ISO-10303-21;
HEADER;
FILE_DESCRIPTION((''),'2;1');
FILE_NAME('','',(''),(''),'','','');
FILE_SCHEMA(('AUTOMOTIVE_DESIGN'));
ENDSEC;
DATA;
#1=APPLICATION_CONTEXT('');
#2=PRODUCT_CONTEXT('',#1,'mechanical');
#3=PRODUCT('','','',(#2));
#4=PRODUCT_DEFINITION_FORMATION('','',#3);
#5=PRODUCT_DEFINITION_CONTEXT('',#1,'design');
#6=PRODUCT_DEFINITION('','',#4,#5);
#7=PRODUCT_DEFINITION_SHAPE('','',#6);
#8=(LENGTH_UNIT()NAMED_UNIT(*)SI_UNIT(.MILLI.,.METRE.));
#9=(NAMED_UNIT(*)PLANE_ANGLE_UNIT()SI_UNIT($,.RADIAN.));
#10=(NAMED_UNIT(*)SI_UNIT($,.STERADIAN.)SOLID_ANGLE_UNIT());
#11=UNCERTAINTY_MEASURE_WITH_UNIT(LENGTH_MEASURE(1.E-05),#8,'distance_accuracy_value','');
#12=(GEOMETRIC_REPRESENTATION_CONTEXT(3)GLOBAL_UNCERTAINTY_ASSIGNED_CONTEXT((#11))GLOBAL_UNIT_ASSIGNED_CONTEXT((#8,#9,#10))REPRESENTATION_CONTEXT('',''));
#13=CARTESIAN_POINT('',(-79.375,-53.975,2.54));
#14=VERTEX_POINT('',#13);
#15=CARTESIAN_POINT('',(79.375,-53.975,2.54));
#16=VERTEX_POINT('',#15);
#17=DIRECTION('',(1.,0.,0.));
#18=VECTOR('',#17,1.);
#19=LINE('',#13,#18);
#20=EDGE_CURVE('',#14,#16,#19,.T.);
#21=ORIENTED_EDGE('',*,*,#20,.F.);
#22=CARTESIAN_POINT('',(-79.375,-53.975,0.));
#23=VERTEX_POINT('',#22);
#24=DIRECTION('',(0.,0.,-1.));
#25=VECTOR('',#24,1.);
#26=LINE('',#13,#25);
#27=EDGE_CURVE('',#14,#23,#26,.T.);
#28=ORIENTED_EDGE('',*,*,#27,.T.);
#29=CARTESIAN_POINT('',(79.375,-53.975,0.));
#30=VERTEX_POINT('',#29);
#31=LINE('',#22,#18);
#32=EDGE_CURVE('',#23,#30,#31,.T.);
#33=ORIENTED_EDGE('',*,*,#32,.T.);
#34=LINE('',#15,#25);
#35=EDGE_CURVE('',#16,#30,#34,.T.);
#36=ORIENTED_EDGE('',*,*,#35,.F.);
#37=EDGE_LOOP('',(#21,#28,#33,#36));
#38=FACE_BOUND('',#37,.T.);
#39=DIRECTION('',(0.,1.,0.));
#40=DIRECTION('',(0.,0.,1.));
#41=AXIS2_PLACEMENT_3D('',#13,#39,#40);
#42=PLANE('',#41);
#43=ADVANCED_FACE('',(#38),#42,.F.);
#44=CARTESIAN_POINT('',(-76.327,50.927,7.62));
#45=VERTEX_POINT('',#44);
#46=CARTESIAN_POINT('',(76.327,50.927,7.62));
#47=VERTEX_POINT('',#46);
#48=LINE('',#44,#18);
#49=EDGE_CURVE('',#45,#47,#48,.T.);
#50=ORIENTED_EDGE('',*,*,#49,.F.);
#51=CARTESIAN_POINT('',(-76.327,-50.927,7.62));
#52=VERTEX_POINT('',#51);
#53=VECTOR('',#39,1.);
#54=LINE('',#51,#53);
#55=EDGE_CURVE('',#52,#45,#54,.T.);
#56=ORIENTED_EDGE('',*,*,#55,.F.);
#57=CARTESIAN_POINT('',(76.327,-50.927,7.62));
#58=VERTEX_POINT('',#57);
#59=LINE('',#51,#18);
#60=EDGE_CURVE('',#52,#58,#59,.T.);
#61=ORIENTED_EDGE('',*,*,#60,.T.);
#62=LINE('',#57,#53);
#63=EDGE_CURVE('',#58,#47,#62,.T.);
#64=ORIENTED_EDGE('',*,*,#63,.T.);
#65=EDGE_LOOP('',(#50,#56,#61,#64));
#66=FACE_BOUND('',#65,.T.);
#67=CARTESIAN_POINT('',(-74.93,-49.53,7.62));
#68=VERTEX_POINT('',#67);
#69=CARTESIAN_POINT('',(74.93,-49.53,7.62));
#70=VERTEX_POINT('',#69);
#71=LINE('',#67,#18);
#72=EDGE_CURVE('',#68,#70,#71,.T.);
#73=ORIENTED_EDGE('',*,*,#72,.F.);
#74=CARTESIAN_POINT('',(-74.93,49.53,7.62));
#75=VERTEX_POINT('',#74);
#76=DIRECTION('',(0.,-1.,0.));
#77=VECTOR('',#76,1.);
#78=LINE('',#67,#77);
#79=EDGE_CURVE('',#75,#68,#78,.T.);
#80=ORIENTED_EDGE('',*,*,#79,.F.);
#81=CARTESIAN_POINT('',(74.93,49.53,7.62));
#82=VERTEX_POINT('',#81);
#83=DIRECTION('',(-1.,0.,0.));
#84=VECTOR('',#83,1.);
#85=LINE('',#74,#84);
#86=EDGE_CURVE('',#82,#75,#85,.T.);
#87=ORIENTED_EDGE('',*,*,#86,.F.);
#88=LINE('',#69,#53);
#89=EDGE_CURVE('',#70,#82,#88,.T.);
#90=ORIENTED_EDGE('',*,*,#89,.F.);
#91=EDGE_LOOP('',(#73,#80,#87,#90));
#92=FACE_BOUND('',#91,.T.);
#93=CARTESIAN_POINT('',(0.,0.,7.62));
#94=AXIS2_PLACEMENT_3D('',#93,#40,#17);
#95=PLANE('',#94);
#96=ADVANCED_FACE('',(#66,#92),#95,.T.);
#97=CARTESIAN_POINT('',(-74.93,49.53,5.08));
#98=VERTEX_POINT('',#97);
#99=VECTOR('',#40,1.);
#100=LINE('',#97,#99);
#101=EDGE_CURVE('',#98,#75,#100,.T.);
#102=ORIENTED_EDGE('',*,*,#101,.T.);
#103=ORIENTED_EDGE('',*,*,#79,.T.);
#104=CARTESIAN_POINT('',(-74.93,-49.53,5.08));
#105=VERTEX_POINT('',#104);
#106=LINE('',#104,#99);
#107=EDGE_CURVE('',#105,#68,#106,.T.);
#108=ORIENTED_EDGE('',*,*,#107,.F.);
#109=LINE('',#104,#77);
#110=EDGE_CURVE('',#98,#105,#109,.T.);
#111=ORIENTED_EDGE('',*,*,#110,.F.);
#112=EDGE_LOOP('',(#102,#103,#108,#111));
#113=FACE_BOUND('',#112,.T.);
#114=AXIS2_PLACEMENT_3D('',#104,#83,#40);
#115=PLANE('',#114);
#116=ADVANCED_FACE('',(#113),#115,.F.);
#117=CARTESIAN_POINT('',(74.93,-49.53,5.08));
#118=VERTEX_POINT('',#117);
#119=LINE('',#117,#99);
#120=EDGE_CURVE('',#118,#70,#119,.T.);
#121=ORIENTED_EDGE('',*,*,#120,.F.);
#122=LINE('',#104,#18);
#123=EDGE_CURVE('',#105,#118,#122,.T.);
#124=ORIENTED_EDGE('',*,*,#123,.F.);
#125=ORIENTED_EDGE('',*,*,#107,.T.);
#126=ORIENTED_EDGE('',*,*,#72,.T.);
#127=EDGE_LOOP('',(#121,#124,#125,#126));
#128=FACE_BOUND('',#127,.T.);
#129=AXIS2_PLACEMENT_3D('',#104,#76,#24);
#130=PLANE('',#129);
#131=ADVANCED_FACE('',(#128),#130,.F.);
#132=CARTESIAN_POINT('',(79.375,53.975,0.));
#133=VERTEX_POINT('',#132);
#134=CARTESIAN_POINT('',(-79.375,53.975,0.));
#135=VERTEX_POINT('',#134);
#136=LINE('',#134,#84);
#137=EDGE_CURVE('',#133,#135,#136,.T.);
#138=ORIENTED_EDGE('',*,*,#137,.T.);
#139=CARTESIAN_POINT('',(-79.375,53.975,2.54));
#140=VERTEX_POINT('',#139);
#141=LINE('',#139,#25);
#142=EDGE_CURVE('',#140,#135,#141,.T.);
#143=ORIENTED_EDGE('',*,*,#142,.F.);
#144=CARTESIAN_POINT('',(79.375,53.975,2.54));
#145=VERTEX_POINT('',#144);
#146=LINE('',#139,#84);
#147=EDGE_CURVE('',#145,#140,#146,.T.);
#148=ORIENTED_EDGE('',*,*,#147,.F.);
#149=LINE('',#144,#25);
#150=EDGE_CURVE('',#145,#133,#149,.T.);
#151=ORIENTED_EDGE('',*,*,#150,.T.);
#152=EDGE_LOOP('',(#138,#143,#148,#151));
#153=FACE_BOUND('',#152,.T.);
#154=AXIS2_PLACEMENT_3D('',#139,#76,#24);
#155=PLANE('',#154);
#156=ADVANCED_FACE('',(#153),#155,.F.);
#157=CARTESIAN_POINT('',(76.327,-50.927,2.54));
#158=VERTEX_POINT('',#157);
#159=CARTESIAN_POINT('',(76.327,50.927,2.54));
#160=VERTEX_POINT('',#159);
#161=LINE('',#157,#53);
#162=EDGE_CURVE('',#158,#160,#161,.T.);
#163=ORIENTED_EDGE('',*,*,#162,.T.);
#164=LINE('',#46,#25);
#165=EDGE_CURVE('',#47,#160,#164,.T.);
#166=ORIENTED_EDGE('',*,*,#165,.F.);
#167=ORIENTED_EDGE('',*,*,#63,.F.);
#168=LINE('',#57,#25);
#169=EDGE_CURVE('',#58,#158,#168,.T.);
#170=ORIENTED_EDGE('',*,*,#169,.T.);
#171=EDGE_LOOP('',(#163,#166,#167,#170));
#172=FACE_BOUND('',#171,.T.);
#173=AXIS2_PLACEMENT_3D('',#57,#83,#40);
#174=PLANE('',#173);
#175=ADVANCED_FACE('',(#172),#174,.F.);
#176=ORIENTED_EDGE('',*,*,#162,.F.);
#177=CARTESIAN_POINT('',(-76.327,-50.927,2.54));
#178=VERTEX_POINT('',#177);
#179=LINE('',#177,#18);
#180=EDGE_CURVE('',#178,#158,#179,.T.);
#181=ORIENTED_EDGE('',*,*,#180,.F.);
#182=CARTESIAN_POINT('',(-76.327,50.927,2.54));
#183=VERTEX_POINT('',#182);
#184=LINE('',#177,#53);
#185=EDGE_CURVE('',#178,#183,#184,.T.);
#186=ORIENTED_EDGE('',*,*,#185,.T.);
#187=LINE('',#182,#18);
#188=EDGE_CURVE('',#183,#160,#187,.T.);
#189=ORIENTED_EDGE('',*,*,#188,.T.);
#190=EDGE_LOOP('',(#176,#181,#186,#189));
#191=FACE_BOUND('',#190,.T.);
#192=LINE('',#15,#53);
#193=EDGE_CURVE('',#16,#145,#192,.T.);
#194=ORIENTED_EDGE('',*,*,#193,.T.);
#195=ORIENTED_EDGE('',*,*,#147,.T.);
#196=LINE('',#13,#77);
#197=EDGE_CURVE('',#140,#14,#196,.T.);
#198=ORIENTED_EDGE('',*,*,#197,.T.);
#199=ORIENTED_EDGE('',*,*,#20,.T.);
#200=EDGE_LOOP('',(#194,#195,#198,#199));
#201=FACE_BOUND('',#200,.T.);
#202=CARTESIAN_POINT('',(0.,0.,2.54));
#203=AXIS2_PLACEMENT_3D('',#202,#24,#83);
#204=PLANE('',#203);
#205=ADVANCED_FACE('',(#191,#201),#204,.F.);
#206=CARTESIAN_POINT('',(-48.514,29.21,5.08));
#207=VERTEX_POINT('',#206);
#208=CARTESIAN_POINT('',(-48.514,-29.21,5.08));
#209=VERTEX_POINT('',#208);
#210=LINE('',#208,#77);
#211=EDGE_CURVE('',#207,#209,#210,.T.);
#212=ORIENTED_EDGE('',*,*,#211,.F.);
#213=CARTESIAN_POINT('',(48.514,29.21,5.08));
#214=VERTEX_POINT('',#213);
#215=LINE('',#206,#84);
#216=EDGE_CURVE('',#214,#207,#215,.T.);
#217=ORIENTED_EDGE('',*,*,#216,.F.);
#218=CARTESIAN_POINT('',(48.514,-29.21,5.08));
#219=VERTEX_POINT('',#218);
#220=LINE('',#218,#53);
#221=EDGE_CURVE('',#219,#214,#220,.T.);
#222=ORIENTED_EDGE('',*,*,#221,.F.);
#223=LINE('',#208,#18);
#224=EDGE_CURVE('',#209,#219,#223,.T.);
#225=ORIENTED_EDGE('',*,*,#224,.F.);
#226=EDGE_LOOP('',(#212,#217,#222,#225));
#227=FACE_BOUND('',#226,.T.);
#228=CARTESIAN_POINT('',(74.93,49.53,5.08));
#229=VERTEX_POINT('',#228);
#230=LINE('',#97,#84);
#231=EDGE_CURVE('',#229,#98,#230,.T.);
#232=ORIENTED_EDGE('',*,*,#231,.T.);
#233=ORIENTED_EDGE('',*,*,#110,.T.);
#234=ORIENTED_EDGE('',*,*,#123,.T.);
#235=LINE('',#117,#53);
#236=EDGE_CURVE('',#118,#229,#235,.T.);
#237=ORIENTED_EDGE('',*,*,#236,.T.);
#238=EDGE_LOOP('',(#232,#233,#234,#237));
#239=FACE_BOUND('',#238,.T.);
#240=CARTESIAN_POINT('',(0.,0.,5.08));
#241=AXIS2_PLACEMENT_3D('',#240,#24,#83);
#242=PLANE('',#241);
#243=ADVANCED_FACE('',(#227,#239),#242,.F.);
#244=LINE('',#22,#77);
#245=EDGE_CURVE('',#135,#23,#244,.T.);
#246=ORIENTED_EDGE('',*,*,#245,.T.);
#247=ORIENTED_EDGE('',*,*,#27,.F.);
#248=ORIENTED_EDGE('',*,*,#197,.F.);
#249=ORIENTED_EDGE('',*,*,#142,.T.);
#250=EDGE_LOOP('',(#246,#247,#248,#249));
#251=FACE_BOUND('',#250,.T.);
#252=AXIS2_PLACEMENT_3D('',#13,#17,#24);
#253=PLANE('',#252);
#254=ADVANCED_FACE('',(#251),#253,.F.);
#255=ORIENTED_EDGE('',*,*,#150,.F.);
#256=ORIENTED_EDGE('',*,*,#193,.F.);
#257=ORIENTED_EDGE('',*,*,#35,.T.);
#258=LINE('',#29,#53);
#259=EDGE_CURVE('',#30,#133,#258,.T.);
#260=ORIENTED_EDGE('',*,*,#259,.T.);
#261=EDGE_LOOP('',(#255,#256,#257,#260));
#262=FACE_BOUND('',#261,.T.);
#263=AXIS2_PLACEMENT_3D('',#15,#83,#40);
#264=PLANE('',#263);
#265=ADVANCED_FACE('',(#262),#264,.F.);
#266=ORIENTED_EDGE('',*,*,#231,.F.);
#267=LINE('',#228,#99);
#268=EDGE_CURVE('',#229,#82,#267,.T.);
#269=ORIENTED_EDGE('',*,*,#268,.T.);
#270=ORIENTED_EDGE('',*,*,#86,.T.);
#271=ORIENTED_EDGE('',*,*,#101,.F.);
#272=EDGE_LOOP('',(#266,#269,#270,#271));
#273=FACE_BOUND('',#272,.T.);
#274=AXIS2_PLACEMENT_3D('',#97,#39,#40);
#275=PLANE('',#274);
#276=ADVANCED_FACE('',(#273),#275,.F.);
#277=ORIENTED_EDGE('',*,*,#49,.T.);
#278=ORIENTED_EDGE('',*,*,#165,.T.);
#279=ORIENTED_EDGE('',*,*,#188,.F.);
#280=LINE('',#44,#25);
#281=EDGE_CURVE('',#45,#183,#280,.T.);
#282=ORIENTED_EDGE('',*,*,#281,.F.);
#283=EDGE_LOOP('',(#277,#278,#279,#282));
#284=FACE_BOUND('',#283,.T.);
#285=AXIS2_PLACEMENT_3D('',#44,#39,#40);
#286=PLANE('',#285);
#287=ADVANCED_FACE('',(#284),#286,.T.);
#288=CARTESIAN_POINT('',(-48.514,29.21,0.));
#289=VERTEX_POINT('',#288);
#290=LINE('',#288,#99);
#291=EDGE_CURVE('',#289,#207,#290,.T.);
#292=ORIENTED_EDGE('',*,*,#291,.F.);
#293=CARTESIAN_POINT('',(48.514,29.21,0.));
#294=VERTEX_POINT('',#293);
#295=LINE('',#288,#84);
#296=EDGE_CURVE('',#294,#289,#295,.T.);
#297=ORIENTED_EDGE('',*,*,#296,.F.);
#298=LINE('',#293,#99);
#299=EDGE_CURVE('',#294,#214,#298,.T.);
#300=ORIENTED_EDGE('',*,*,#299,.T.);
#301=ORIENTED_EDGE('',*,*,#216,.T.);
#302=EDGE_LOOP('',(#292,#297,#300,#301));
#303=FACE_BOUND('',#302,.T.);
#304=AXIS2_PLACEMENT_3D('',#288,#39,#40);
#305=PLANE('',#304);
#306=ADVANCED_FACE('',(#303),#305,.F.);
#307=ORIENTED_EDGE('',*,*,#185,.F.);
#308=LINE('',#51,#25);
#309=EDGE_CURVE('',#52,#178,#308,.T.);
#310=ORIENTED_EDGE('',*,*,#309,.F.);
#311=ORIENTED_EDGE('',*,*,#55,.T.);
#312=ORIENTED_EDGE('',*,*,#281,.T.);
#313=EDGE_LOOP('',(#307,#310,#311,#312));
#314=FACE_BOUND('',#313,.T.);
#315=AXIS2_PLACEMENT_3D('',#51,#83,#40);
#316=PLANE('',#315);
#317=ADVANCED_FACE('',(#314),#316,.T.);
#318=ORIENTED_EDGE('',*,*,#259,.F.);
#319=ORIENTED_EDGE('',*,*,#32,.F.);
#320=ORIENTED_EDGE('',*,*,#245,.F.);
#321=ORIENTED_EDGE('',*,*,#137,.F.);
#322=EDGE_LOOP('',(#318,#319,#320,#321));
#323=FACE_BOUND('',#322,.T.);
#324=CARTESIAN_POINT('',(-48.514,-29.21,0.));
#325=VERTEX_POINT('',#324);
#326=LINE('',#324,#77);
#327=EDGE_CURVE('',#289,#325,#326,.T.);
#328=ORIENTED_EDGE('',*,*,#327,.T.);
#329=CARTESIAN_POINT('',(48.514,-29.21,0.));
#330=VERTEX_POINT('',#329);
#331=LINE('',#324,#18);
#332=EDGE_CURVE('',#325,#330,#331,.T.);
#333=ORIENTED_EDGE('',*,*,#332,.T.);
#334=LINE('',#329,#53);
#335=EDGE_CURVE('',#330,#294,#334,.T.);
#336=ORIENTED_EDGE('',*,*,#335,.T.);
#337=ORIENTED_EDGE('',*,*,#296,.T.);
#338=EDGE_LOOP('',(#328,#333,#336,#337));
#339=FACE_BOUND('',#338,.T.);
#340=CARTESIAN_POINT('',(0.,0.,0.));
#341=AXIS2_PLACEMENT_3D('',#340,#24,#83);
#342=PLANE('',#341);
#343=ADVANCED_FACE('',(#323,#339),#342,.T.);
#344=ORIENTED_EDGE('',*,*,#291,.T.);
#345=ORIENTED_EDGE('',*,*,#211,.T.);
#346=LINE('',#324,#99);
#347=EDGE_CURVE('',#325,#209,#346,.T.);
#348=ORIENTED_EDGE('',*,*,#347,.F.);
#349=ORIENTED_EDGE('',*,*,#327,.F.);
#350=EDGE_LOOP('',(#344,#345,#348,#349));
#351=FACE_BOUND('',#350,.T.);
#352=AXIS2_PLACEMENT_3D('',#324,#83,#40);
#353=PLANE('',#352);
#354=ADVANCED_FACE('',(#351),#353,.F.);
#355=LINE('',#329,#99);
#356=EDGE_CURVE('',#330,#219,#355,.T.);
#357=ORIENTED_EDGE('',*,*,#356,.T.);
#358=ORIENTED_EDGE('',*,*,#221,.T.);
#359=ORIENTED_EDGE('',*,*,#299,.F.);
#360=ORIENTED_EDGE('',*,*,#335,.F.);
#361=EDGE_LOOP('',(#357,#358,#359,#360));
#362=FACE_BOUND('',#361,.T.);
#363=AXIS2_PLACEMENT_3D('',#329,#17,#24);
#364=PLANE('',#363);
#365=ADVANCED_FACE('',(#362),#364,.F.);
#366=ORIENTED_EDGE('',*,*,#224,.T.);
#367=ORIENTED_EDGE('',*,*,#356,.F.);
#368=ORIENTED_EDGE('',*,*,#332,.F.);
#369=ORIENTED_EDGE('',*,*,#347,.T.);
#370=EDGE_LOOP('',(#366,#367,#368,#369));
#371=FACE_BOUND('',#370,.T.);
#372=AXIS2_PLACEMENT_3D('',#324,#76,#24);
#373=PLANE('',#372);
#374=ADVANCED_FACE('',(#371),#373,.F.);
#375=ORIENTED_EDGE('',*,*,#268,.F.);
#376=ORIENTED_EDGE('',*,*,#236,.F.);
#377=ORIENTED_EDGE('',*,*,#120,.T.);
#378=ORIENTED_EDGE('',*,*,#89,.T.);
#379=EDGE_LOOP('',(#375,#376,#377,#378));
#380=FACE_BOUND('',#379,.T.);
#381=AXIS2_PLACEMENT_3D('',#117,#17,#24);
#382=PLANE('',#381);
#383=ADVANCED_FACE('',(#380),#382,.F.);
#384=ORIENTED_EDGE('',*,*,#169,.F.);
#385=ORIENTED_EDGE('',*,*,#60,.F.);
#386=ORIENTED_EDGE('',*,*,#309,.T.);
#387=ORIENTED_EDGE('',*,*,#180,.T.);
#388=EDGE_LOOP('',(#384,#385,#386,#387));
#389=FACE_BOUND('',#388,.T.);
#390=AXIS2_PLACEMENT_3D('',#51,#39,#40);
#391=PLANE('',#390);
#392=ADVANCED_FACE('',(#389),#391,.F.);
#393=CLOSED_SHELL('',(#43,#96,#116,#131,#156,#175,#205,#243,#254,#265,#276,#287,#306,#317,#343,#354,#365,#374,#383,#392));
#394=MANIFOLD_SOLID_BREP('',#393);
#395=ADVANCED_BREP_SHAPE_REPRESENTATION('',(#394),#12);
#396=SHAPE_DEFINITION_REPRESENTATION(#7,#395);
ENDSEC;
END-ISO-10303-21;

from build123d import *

# Parameters (mm, degrees)
SKETCH1_W           = 158.75
SKETCH1_H           = 107.95
BOSS_EXTRUDE1_DEPTH = 2.54
SKETCH2_W           = 152.654
SKETCH2_H           = 101.854
BOSS_EXTRUDE2_DEPTH = 5.08
SKETCH3_W           = 149.86
SKETCH3_H           = 99.06
CUT_EXTRUDE1_DEPTH  = 2.54
SKETCH4_W           = 97.028
SKETCH4_H           = 58.42
CUT_EXTRUDE2_DEPTH  = 97.122305684


with BuildPart() as part:
    # Sketch1 → Boss-Extrude1 (new body)
    with BuildSketch(Plane.XY):
        Rectangle(SKETCH1_W, SKETCH1_H)
    extrude(amount=BOSS_EXTRUDE1_DEPTH)

    # Sketch2 → Boss-Extrude2 (add)
    with BuildSketch(Plane.XY.offset(2.54)):
        Rectangle(SKETCH2_W, SKETCH2_H)
    extrude(amount=BOSS_EXTRUDE2_DEPTH)

    # Sketch3 → Cut-Extrude1 (cut)
    with BuildSketch(Plane.XY.offset(7.62)):
        Rectangle(SKETCH3_W, SKETCH3_H)
    extrude(amount=-CUT_EXTRUDE1_DEPTH, mode=Mode.SUBTRACT)

    # Sketch4 → Cut-Extrude2 (cut, through all)
    with BuildSketch(Plane.XY.offset(5.08)):
        Rectangle(SKETCH4_W, SKETCH4_H)
    extrude(amount=-CUT_EXTRUDE2_DEPTH, mode=Mode.SUBTRACT)


solid = part.part
